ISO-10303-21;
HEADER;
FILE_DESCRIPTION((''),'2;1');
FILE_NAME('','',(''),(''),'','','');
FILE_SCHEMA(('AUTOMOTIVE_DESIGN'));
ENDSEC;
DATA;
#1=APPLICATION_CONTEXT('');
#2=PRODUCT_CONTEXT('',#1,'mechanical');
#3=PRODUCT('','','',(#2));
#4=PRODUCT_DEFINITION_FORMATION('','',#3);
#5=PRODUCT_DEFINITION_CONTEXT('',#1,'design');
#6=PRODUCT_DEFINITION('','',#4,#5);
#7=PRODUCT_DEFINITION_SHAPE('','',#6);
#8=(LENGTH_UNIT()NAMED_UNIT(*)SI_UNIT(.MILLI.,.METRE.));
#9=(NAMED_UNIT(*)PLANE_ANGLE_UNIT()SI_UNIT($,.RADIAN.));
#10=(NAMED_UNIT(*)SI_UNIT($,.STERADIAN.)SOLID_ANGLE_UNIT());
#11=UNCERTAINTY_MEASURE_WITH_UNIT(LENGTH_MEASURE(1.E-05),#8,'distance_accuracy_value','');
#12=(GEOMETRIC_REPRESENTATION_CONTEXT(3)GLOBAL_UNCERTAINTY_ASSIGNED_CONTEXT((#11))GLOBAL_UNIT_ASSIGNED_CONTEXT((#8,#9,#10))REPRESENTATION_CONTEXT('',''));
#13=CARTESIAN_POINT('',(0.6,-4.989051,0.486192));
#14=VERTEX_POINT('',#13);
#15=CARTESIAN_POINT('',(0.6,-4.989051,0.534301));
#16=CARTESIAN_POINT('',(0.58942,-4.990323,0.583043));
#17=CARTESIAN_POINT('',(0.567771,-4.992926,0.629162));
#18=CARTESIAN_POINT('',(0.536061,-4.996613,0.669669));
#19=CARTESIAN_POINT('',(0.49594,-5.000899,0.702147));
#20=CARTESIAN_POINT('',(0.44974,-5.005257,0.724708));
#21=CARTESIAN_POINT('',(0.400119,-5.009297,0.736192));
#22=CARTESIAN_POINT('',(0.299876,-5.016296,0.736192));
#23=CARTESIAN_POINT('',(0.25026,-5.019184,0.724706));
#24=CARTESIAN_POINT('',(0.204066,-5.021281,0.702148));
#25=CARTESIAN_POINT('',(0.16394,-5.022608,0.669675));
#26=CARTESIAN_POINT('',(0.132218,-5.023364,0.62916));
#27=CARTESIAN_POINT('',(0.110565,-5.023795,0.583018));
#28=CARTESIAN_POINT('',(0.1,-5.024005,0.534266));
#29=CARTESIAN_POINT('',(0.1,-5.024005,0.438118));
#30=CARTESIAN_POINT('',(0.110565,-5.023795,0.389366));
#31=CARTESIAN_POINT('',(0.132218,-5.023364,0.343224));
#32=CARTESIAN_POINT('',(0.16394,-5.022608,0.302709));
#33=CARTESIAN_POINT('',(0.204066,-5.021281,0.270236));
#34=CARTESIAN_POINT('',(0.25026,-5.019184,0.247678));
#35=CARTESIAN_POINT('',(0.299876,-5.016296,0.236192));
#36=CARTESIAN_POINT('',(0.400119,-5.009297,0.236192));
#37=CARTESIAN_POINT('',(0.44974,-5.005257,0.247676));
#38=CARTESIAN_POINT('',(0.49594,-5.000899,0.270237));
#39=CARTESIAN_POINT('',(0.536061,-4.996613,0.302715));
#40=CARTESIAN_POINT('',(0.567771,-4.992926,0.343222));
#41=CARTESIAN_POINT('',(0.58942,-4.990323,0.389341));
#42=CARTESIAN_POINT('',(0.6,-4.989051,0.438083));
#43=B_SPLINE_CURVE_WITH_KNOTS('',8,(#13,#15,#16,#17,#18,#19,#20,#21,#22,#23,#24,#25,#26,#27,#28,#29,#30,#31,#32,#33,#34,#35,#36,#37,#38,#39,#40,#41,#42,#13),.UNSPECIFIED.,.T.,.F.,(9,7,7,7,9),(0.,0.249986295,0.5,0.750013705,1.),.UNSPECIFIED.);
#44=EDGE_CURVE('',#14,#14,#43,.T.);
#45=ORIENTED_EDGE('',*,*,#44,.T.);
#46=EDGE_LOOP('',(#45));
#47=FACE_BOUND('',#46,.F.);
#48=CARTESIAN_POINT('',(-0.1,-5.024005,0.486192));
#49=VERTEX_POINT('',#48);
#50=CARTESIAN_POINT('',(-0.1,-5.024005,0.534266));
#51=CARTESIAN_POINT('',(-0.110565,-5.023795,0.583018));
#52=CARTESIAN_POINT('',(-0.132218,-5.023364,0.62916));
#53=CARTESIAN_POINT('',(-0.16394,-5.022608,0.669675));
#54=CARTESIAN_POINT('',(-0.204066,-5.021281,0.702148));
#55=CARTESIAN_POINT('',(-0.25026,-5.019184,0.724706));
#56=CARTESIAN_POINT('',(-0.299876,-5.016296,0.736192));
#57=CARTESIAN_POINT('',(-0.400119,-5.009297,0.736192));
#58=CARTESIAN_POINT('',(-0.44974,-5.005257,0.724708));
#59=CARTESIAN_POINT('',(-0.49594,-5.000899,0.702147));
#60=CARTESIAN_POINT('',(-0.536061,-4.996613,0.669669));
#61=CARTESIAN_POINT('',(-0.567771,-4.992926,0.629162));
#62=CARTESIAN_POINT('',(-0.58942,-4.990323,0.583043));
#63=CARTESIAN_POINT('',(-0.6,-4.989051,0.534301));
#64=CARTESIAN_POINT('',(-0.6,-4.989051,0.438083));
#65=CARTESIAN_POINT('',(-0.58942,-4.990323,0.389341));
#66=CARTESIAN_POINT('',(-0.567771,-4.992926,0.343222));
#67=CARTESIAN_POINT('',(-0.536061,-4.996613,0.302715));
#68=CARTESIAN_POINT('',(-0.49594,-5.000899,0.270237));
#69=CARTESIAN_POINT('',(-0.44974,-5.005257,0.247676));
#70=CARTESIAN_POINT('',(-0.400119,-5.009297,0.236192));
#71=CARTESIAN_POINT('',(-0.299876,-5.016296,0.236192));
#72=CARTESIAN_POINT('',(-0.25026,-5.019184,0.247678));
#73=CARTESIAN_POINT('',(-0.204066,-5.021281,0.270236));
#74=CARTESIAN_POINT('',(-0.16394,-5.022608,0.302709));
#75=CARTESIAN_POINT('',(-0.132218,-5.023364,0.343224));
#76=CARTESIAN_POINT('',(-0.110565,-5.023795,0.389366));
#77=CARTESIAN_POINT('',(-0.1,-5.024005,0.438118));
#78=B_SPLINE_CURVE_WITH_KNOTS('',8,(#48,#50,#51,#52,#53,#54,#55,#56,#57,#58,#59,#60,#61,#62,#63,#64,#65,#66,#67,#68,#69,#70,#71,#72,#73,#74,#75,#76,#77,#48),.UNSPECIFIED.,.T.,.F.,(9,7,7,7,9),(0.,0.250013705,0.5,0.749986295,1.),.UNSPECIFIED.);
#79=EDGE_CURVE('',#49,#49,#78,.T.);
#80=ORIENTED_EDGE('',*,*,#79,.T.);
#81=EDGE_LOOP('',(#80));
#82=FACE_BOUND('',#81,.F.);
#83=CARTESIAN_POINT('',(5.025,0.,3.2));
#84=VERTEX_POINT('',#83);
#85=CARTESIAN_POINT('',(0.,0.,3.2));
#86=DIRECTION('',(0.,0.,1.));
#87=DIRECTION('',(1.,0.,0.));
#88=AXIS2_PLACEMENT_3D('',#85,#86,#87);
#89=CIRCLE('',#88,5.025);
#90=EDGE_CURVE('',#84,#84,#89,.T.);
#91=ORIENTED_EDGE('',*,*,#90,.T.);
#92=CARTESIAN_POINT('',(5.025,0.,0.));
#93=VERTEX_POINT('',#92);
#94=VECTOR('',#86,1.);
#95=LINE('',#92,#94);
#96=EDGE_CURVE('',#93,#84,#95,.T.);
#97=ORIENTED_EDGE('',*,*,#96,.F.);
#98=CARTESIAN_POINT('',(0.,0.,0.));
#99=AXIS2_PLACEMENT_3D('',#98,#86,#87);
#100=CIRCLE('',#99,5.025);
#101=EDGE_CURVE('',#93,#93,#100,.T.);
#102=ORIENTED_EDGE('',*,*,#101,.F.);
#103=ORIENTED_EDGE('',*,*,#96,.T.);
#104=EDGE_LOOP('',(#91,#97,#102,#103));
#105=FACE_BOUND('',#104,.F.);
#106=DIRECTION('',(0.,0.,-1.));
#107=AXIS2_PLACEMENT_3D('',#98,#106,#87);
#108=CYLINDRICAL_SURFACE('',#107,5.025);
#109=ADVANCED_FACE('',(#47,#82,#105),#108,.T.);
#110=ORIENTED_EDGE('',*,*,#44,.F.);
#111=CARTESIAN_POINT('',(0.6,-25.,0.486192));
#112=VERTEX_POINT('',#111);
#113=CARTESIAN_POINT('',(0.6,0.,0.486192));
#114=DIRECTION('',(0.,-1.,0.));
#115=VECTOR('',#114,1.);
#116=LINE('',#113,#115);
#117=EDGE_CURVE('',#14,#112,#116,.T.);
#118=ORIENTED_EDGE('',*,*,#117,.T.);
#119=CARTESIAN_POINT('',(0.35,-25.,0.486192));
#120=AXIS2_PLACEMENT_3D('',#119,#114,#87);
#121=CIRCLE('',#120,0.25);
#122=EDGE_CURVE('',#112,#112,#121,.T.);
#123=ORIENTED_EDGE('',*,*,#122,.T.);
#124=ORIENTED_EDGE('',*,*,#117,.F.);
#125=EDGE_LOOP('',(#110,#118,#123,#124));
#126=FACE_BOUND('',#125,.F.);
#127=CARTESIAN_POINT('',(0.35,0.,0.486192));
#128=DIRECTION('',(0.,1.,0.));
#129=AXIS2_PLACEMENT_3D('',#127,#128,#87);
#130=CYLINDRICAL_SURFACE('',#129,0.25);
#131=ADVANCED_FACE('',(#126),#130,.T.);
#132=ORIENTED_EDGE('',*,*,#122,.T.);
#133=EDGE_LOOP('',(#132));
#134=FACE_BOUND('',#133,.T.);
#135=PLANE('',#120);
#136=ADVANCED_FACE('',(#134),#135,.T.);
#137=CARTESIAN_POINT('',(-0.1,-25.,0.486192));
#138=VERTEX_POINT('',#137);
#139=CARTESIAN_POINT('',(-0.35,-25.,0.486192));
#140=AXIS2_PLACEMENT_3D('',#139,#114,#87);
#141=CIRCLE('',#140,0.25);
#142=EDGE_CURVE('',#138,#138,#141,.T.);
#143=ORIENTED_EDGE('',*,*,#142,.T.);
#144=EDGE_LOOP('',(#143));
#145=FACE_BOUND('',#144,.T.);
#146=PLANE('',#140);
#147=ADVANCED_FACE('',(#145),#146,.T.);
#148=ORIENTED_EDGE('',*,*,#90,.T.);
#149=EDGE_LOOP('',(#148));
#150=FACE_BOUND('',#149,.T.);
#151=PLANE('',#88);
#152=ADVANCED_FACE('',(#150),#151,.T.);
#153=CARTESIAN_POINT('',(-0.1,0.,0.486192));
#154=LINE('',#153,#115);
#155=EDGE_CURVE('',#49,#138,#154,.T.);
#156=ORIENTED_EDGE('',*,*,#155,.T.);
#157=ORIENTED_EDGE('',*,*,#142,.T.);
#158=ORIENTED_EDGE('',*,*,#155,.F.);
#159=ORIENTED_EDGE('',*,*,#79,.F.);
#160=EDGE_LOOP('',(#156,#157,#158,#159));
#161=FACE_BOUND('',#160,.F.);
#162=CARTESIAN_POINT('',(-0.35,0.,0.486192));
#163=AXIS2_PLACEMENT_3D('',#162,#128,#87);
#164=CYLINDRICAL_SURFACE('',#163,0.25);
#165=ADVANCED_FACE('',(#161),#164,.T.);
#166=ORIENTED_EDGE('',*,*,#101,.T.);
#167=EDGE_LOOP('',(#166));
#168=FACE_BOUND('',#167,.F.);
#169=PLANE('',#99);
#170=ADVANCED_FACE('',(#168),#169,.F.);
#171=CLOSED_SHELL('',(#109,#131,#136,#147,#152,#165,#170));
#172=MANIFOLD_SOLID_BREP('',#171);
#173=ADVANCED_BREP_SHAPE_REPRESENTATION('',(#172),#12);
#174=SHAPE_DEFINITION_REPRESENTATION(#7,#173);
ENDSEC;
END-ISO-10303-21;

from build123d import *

# Parameters (mm, degrees)
F0_R     = 5.025
F1_DEPTH = 3.2
F2_R     = 0.25
F3_DEPTH = 25


with BuildPart() as f1:
    # F0 (on Top) → F1 (new body)
    with BuildSketch(Plane.XY):
        Circle(F0_R)
    extrude(amount=F1_DEPTH)

    # F2 (on Front) → F3 (join)
    with BuildSketch(Plane.XZ):
        with Locations((-0.35, 0.486192)):
            Circle(F2_R)
        with Locations((0.35, 0.486192)):
            Circle(F2_R)
    extrude(amount=F3_DEPTH)


solid = f1.part
